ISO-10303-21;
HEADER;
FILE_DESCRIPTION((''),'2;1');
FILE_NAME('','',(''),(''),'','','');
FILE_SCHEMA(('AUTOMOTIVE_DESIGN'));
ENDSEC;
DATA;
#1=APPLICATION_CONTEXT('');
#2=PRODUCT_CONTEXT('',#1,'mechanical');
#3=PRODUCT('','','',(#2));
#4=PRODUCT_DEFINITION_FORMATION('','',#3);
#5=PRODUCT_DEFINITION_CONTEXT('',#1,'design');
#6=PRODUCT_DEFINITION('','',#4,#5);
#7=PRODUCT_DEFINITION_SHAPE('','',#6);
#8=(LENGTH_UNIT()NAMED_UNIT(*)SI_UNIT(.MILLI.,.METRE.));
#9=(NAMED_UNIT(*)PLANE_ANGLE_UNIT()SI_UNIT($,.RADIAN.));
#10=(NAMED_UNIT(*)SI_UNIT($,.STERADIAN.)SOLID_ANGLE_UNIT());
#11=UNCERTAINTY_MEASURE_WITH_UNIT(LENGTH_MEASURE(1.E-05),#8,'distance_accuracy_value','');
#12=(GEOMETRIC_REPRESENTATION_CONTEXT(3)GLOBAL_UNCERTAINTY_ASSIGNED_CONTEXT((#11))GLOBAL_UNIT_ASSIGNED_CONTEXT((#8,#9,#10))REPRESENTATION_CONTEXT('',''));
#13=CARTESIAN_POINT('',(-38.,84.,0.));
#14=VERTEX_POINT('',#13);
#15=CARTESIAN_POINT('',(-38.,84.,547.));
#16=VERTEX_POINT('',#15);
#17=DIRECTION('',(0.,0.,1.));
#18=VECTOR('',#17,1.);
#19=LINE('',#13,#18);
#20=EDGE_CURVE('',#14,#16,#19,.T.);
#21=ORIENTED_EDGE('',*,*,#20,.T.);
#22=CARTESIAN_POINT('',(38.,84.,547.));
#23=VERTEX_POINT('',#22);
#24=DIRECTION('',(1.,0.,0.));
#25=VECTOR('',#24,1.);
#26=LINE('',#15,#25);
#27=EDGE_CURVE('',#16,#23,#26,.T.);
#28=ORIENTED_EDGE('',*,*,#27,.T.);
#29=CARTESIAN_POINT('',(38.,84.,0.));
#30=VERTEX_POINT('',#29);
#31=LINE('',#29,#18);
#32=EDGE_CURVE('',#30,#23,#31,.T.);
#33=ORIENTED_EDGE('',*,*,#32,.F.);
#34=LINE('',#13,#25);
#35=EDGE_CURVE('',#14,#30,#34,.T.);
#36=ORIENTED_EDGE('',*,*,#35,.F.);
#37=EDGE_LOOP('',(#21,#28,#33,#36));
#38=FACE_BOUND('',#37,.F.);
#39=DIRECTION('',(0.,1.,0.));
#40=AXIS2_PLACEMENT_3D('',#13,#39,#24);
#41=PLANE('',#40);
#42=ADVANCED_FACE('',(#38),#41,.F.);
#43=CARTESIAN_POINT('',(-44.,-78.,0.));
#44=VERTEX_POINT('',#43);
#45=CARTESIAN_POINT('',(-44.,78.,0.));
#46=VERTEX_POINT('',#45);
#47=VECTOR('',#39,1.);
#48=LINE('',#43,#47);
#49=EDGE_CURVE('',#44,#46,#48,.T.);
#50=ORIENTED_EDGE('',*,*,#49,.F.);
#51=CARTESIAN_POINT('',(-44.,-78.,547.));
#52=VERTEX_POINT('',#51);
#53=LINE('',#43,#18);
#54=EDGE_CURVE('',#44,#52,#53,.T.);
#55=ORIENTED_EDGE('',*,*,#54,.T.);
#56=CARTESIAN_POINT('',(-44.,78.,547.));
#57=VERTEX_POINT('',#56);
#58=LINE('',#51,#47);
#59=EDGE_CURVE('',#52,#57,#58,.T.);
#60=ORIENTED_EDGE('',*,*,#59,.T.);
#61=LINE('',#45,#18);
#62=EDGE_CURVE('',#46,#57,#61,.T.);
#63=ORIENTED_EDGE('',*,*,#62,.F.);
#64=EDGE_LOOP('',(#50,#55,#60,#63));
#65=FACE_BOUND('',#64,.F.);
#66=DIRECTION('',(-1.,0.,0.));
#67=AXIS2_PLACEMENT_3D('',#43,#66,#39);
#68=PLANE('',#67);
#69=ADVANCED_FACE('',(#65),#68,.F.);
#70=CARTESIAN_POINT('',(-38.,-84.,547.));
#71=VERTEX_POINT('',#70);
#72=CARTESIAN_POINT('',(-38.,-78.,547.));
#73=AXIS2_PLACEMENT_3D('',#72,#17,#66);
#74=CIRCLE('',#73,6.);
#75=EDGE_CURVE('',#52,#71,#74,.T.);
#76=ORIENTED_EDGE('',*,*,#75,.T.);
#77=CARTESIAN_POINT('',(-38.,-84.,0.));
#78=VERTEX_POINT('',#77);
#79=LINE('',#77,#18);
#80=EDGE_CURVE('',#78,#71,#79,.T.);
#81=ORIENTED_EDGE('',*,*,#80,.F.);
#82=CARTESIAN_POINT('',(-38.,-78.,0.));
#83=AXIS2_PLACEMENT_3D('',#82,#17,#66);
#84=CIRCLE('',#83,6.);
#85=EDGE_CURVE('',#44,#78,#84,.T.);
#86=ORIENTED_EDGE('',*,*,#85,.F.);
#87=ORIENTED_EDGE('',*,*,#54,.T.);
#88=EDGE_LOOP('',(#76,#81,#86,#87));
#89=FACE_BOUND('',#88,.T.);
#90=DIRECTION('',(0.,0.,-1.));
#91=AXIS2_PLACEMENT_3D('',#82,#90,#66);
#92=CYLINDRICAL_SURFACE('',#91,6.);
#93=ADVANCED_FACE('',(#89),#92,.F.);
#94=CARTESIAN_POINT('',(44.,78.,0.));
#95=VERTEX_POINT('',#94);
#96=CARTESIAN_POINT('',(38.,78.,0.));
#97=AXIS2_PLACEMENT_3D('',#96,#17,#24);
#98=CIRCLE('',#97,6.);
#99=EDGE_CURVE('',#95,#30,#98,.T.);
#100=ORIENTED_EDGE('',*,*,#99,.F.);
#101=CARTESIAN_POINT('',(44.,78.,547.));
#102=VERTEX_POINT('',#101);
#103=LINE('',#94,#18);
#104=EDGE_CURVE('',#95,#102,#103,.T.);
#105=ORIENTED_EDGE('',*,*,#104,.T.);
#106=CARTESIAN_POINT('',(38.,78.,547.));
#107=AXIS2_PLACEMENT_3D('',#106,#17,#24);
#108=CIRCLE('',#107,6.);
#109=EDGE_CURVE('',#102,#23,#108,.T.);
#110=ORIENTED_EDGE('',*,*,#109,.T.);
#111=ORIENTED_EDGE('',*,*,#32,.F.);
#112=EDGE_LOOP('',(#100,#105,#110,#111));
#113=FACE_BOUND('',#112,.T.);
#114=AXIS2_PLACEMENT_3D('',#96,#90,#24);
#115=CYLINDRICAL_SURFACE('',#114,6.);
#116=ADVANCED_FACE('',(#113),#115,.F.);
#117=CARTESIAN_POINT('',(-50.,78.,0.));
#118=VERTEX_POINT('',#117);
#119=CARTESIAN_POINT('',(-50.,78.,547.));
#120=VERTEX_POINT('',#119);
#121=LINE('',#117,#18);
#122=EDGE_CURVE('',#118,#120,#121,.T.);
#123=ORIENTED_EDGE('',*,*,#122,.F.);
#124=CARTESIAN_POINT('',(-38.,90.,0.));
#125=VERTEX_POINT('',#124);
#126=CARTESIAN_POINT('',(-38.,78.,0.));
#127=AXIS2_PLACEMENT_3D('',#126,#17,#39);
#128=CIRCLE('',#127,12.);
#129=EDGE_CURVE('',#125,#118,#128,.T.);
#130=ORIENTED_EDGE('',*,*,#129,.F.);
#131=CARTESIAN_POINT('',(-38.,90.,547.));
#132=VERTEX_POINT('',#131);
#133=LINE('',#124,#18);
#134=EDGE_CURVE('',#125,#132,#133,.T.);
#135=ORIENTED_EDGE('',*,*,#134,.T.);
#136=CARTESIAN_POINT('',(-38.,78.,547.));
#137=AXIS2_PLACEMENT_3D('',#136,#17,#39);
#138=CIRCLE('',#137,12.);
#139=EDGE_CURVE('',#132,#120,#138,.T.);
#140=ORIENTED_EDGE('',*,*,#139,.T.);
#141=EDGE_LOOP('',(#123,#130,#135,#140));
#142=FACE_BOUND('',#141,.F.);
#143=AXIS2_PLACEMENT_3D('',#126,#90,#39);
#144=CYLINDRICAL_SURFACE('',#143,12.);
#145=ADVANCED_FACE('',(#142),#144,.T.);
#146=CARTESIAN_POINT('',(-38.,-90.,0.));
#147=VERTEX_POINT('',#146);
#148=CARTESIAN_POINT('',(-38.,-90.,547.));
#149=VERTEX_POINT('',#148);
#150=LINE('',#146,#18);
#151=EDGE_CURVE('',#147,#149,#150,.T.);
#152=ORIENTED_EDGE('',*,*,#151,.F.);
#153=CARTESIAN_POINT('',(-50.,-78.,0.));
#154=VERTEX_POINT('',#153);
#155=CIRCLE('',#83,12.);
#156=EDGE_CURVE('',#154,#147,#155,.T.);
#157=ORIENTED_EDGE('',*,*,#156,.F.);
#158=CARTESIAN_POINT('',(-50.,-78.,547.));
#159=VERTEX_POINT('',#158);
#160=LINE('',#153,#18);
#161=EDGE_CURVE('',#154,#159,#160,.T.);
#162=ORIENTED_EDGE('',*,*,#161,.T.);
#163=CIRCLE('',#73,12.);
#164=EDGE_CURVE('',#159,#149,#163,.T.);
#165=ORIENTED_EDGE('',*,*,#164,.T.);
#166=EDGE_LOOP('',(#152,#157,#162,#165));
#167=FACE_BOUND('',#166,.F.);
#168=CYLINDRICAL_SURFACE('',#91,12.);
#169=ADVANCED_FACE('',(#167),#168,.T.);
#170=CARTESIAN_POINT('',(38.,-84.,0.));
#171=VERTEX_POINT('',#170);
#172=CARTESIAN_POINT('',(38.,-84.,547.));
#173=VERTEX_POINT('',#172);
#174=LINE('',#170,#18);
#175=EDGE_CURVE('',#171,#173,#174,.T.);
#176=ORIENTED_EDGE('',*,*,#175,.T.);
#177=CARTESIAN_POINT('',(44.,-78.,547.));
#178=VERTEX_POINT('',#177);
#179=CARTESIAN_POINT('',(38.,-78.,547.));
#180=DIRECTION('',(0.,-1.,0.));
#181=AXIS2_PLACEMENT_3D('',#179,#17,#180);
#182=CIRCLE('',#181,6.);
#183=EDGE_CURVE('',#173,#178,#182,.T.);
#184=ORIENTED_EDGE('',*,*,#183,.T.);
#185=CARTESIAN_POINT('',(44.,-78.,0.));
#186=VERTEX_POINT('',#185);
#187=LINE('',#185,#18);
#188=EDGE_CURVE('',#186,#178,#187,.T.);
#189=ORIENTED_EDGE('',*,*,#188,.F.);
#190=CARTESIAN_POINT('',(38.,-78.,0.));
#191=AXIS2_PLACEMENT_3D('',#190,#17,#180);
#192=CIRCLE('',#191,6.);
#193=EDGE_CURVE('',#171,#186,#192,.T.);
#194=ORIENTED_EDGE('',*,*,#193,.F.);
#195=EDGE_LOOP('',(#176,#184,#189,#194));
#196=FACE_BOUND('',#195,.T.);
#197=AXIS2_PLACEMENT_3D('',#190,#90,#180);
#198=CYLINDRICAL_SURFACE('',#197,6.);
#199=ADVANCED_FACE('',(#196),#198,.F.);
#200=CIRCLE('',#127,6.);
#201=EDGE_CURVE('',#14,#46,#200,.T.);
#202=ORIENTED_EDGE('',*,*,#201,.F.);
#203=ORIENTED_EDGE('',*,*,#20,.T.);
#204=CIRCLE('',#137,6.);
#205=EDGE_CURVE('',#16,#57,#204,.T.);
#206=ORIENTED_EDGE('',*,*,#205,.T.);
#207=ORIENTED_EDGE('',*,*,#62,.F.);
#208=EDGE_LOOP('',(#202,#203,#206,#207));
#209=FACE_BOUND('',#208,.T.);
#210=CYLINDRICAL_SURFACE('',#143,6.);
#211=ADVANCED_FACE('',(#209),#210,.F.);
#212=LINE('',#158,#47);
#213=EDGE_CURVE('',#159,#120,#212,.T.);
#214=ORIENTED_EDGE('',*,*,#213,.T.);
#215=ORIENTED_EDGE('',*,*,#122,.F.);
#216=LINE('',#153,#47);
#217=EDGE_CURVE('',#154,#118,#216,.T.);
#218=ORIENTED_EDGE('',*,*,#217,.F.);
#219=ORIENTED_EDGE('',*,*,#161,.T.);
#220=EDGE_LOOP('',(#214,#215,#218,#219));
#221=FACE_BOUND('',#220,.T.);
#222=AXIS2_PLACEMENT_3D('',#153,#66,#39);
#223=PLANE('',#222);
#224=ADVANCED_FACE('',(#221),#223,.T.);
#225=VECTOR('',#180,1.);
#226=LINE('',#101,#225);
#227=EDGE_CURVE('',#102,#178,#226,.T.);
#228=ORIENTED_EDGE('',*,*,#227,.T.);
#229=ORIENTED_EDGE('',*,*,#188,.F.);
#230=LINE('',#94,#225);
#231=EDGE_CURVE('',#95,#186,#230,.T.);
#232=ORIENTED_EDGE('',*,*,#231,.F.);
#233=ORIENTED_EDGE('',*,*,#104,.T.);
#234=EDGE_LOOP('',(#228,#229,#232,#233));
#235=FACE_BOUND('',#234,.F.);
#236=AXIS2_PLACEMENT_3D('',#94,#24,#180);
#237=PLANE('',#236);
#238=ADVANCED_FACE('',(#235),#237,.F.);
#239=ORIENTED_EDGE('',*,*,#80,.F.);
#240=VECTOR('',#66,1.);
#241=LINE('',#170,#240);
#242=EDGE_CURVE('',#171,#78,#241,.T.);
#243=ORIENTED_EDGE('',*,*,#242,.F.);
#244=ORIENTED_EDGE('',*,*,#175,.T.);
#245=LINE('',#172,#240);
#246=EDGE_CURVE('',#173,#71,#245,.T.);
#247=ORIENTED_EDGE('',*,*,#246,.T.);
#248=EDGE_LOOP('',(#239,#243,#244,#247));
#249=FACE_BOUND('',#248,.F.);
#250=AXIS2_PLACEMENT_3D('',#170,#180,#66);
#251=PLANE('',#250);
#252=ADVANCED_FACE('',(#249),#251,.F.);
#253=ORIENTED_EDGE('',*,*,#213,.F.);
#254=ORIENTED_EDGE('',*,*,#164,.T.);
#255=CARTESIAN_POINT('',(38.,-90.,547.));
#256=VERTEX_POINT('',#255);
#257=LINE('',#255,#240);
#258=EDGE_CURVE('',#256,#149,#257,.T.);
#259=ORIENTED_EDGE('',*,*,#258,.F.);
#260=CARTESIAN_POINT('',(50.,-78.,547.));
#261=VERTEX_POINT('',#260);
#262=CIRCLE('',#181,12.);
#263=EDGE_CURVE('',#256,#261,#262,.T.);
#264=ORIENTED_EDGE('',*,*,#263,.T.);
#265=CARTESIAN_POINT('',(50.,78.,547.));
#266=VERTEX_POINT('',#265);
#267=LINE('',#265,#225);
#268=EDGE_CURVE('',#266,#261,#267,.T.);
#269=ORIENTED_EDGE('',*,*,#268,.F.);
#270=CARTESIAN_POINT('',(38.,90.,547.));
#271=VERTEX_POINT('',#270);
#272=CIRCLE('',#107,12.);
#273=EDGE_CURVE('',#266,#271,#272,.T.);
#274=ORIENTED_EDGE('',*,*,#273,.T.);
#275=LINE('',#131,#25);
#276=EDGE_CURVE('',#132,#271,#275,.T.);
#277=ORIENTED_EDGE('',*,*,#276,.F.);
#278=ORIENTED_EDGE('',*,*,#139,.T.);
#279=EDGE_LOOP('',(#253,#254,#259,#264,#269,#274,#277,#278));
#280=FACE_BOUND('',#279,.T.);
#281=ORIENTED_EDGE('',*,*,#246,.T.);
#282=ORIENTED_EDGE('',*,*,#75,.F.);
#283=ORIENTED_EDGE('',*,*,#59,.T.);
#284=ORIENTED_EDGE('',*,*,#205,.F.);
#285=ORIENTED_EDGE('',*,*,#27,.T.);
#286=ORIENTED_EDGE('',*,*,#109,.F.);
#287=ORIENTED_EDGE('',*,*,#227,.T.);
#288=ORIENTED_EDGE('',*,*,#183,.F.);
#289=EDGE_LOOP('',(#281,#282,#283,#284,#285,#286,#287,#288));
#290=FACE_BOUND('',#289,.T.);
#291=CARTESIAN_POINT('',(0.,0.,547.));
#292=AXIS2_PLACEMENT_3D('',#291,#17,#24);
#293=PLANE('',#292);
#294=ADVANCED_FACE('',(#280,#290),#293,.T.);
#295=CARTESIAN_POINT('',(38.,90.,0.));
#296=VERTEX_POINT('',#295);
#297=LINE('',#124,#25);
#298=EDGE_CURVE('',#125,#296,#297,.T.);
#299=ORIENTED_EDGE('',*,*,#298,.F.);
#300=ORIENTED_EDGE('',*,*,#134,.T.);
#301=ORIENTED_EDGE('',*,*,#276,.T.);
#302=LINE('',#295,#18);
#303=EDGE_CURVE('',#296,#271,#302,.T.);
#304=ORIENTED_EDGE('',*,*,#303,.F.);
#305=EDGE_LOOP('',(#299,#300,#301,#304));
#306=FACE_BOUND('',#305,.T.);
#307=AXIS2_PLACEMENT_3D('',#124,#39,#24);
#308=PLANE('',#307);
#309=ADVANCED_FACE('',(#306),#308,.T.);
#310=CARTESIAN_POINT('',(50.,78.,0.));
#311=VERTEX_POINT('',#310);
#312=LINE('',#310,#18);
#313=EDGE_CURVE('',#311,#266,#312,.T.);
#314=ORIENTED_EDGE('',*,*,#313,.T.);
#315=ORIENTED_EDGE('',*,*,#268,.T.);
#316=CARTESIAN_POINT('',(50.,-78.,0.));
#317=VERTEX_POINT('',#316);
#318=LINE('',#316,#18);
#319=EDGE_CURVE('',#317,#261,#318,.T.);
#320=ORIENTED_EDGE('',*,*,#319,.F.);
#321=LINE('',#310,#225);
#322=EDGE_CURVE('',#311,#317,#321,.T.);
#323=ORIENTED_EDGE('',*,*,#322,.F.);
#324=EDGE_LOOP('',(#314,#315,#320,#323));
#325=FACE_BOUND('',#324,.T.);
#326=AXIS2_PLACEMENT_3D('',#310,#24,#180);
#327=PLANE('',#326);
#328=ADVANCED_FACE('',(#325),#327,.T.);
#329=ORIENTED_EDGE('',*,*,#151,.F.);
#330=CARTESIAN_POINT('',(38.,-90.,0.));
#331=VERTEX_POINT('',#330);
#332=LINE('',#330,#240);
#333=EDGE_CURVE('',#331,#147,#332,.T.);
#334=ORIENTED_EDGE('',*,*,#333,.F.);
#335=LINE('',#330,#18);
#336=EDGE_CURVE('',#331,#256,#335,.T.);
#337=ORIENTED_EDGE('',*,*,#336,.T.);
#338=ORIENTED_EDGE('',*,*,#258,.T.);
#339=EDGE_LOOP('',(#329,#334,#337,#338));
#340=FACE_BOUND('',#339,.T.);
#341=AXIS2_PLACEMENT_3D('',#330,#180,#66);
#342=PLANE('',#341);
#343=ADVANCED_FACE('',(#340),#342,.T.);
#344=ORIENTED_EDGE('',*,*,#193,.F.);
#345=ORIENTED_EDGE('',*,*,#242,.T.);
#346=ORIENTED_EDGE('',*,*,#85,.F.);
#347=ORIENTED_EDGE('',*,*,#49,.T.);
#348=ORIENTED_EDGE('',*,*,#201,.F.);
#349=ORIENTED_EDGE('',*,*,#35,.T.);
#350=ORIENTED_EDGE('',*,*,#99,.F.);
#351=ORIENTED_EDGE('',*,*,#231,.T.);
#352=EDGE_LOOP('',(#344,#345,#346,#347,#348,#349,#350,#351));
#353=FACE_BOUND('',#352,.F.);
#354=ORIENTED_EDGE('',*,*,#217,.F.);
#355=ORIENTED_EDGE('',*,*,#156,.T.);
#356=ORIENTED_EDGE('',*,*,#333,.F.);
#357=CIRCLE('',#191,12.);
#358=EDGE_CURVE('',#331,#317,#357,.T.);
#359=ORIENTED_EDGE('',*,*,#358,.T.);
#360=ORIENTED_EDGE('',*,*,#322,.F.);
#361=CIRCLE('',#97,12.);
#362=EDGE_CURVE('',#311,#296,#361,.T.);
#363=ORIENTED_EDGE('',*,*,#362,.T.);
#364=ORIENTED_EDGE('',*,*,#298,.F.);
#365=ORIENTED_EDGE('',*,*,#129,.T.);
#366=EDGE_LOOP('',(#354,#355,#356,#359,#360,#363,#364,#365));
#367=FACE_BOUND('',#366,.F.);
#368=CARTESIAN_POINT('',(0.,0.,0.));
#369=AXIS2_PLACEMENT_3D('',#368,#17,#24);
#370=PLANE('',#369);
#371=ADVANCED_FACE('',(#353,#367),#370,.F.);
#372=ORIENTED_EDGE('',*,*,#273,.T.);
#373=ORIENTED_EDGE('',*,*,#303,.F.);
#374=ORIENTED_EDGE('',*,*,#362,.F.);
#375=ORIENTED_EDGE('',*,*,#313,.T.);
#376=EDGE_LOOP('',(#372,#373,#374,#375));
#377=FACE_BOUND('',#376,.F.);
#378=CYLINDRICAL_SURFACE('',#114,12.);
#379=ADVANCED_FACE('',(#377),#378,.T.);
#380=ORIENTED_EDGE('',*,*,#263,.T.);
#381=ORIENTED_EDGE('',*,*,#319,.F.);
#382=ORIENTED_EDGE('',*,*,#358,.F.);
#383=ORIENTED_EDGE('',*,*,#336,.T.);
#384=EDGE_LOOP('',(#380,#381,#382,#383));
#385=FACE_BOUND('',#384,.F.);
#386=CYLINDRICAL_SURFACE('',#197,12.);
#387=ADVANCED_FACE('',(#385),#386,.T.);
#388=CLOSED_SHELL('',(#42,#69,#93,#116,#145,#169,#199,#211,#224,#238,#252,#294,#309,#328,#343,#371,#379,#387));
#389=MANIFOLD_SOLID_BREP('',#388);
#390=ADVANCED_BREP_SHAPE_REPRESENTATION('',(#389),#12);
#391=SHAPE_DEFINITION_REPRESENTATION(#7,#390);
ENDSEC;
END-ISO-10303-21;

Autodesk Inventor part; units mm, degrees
ref_plane "YZ Plane" through (0, 0, 0) normal (1, 0, 0) x (0, 1, 0)
ref_plane "Start plane" through (0, 0, 0) normal (0, 0, 1) x (1, 0, 0)
ref_plane "End plane" through (0, 0, 547) normal (0, 0, 1) x (1, 0, 0)
sketch "Sketch" plane through (0, 0, 0) normal (0, 0, 1) x (1, 0, 0)
  line L0 (-50, -78) -> (-50, 78)
  line L1 (-38, 90) -> (38, 90)
  line L2 (50, 78) -> (50, -78)
  line L3 (38, -90) -> (-38, -90)
  arc A0 (-50, -78) -> (-38, -90) centre (-38, -78) ccw
  arc A1 (-38, 90) -> (-50, 78) centre (-38, 78) ccw
  arc A2 (50, 78) -> (38, 90) centre (38, 78) ccw
  arc A3 (38, -90) -> (50, -78) centre (38, -78) ccw
  arc A4 (-38, 84) -> (-44, 78) centre (-38, 78) ccw
  line L4 (-38, 84) -> (38, 84)
  arc A5 (44, 78) -> (38, 84) centre (38, 78) ccw
  line L5 (44, 78) -> (44, -78)
  arc A6 (38, -84) -> (44, -78) centre (38, -78) ccw
  line L6 (38, -84) -> (-38, -84)
  arc A7 (-44, -78) -> (-38, -84) centre (-38, -78) ccw
  line L7 (-44, -78) -> (-44, 78)
  line L8 (0, 37.1021) -> (0, -37.1021) construction
  line L9 (-23.1021, 0) -> (23.1021, 0) construction
  dimension "d7" = 12
  dimension "d10" = 180
  dimension "d11" = 100
  dimension "d12" = 6
  dimension "d15" = 90
  dimension "d16" = 50
extrude "Body" add sketch "Sketch" along normal up to surface (547 mm away) from surface at 0
sketch "Sketch3" plane through (0, 0, 0) normal (0, 0, 1) x (1, 0, 0)
  line L0 (0, 0) -> (10, 0)
ref_plane "Work Plane3" through (0, 0, 0) normal (0, -1, 0) x (1, 0, 0)
sketch "Sketch4" plane through (0, 0, 0) normal (0, -1, 0) x (1, 0, 0)
  line L0 (-2, 0) -> (12, 0)
  line L1 (-2, 547) -> (12, 547)
  dimension "d18" = 547
equation "\"d7\" = G_IR"
equation "\"d10\" = G_H"
equation "\"d11\" = G_W"
equation "\"d12\" = G_T"
equation "\"d15\" = 0.5 * d10"
equation "\"d16\" = 0.5 * d11"
equation "\"d3\" = G_L"
equation "\"G_W\" = 100"
equation "\"G_H\" = 180"
equation "\"G_T\" = 6"
equation "\"G_IR\" = 12"
equation "\"G_L\" = d18"
equation "\"G_OFFSET_START\" = 0"
equation "\"G_OFFSET_END\" = 0"
equation "\"d14\" = G_OFFSET_END + B_L"
equation "\"B_L\" = 547"
properties part number "PN EN 10219-2 - 180 x 100 x 6  - 547" material "Steel, Mild"
